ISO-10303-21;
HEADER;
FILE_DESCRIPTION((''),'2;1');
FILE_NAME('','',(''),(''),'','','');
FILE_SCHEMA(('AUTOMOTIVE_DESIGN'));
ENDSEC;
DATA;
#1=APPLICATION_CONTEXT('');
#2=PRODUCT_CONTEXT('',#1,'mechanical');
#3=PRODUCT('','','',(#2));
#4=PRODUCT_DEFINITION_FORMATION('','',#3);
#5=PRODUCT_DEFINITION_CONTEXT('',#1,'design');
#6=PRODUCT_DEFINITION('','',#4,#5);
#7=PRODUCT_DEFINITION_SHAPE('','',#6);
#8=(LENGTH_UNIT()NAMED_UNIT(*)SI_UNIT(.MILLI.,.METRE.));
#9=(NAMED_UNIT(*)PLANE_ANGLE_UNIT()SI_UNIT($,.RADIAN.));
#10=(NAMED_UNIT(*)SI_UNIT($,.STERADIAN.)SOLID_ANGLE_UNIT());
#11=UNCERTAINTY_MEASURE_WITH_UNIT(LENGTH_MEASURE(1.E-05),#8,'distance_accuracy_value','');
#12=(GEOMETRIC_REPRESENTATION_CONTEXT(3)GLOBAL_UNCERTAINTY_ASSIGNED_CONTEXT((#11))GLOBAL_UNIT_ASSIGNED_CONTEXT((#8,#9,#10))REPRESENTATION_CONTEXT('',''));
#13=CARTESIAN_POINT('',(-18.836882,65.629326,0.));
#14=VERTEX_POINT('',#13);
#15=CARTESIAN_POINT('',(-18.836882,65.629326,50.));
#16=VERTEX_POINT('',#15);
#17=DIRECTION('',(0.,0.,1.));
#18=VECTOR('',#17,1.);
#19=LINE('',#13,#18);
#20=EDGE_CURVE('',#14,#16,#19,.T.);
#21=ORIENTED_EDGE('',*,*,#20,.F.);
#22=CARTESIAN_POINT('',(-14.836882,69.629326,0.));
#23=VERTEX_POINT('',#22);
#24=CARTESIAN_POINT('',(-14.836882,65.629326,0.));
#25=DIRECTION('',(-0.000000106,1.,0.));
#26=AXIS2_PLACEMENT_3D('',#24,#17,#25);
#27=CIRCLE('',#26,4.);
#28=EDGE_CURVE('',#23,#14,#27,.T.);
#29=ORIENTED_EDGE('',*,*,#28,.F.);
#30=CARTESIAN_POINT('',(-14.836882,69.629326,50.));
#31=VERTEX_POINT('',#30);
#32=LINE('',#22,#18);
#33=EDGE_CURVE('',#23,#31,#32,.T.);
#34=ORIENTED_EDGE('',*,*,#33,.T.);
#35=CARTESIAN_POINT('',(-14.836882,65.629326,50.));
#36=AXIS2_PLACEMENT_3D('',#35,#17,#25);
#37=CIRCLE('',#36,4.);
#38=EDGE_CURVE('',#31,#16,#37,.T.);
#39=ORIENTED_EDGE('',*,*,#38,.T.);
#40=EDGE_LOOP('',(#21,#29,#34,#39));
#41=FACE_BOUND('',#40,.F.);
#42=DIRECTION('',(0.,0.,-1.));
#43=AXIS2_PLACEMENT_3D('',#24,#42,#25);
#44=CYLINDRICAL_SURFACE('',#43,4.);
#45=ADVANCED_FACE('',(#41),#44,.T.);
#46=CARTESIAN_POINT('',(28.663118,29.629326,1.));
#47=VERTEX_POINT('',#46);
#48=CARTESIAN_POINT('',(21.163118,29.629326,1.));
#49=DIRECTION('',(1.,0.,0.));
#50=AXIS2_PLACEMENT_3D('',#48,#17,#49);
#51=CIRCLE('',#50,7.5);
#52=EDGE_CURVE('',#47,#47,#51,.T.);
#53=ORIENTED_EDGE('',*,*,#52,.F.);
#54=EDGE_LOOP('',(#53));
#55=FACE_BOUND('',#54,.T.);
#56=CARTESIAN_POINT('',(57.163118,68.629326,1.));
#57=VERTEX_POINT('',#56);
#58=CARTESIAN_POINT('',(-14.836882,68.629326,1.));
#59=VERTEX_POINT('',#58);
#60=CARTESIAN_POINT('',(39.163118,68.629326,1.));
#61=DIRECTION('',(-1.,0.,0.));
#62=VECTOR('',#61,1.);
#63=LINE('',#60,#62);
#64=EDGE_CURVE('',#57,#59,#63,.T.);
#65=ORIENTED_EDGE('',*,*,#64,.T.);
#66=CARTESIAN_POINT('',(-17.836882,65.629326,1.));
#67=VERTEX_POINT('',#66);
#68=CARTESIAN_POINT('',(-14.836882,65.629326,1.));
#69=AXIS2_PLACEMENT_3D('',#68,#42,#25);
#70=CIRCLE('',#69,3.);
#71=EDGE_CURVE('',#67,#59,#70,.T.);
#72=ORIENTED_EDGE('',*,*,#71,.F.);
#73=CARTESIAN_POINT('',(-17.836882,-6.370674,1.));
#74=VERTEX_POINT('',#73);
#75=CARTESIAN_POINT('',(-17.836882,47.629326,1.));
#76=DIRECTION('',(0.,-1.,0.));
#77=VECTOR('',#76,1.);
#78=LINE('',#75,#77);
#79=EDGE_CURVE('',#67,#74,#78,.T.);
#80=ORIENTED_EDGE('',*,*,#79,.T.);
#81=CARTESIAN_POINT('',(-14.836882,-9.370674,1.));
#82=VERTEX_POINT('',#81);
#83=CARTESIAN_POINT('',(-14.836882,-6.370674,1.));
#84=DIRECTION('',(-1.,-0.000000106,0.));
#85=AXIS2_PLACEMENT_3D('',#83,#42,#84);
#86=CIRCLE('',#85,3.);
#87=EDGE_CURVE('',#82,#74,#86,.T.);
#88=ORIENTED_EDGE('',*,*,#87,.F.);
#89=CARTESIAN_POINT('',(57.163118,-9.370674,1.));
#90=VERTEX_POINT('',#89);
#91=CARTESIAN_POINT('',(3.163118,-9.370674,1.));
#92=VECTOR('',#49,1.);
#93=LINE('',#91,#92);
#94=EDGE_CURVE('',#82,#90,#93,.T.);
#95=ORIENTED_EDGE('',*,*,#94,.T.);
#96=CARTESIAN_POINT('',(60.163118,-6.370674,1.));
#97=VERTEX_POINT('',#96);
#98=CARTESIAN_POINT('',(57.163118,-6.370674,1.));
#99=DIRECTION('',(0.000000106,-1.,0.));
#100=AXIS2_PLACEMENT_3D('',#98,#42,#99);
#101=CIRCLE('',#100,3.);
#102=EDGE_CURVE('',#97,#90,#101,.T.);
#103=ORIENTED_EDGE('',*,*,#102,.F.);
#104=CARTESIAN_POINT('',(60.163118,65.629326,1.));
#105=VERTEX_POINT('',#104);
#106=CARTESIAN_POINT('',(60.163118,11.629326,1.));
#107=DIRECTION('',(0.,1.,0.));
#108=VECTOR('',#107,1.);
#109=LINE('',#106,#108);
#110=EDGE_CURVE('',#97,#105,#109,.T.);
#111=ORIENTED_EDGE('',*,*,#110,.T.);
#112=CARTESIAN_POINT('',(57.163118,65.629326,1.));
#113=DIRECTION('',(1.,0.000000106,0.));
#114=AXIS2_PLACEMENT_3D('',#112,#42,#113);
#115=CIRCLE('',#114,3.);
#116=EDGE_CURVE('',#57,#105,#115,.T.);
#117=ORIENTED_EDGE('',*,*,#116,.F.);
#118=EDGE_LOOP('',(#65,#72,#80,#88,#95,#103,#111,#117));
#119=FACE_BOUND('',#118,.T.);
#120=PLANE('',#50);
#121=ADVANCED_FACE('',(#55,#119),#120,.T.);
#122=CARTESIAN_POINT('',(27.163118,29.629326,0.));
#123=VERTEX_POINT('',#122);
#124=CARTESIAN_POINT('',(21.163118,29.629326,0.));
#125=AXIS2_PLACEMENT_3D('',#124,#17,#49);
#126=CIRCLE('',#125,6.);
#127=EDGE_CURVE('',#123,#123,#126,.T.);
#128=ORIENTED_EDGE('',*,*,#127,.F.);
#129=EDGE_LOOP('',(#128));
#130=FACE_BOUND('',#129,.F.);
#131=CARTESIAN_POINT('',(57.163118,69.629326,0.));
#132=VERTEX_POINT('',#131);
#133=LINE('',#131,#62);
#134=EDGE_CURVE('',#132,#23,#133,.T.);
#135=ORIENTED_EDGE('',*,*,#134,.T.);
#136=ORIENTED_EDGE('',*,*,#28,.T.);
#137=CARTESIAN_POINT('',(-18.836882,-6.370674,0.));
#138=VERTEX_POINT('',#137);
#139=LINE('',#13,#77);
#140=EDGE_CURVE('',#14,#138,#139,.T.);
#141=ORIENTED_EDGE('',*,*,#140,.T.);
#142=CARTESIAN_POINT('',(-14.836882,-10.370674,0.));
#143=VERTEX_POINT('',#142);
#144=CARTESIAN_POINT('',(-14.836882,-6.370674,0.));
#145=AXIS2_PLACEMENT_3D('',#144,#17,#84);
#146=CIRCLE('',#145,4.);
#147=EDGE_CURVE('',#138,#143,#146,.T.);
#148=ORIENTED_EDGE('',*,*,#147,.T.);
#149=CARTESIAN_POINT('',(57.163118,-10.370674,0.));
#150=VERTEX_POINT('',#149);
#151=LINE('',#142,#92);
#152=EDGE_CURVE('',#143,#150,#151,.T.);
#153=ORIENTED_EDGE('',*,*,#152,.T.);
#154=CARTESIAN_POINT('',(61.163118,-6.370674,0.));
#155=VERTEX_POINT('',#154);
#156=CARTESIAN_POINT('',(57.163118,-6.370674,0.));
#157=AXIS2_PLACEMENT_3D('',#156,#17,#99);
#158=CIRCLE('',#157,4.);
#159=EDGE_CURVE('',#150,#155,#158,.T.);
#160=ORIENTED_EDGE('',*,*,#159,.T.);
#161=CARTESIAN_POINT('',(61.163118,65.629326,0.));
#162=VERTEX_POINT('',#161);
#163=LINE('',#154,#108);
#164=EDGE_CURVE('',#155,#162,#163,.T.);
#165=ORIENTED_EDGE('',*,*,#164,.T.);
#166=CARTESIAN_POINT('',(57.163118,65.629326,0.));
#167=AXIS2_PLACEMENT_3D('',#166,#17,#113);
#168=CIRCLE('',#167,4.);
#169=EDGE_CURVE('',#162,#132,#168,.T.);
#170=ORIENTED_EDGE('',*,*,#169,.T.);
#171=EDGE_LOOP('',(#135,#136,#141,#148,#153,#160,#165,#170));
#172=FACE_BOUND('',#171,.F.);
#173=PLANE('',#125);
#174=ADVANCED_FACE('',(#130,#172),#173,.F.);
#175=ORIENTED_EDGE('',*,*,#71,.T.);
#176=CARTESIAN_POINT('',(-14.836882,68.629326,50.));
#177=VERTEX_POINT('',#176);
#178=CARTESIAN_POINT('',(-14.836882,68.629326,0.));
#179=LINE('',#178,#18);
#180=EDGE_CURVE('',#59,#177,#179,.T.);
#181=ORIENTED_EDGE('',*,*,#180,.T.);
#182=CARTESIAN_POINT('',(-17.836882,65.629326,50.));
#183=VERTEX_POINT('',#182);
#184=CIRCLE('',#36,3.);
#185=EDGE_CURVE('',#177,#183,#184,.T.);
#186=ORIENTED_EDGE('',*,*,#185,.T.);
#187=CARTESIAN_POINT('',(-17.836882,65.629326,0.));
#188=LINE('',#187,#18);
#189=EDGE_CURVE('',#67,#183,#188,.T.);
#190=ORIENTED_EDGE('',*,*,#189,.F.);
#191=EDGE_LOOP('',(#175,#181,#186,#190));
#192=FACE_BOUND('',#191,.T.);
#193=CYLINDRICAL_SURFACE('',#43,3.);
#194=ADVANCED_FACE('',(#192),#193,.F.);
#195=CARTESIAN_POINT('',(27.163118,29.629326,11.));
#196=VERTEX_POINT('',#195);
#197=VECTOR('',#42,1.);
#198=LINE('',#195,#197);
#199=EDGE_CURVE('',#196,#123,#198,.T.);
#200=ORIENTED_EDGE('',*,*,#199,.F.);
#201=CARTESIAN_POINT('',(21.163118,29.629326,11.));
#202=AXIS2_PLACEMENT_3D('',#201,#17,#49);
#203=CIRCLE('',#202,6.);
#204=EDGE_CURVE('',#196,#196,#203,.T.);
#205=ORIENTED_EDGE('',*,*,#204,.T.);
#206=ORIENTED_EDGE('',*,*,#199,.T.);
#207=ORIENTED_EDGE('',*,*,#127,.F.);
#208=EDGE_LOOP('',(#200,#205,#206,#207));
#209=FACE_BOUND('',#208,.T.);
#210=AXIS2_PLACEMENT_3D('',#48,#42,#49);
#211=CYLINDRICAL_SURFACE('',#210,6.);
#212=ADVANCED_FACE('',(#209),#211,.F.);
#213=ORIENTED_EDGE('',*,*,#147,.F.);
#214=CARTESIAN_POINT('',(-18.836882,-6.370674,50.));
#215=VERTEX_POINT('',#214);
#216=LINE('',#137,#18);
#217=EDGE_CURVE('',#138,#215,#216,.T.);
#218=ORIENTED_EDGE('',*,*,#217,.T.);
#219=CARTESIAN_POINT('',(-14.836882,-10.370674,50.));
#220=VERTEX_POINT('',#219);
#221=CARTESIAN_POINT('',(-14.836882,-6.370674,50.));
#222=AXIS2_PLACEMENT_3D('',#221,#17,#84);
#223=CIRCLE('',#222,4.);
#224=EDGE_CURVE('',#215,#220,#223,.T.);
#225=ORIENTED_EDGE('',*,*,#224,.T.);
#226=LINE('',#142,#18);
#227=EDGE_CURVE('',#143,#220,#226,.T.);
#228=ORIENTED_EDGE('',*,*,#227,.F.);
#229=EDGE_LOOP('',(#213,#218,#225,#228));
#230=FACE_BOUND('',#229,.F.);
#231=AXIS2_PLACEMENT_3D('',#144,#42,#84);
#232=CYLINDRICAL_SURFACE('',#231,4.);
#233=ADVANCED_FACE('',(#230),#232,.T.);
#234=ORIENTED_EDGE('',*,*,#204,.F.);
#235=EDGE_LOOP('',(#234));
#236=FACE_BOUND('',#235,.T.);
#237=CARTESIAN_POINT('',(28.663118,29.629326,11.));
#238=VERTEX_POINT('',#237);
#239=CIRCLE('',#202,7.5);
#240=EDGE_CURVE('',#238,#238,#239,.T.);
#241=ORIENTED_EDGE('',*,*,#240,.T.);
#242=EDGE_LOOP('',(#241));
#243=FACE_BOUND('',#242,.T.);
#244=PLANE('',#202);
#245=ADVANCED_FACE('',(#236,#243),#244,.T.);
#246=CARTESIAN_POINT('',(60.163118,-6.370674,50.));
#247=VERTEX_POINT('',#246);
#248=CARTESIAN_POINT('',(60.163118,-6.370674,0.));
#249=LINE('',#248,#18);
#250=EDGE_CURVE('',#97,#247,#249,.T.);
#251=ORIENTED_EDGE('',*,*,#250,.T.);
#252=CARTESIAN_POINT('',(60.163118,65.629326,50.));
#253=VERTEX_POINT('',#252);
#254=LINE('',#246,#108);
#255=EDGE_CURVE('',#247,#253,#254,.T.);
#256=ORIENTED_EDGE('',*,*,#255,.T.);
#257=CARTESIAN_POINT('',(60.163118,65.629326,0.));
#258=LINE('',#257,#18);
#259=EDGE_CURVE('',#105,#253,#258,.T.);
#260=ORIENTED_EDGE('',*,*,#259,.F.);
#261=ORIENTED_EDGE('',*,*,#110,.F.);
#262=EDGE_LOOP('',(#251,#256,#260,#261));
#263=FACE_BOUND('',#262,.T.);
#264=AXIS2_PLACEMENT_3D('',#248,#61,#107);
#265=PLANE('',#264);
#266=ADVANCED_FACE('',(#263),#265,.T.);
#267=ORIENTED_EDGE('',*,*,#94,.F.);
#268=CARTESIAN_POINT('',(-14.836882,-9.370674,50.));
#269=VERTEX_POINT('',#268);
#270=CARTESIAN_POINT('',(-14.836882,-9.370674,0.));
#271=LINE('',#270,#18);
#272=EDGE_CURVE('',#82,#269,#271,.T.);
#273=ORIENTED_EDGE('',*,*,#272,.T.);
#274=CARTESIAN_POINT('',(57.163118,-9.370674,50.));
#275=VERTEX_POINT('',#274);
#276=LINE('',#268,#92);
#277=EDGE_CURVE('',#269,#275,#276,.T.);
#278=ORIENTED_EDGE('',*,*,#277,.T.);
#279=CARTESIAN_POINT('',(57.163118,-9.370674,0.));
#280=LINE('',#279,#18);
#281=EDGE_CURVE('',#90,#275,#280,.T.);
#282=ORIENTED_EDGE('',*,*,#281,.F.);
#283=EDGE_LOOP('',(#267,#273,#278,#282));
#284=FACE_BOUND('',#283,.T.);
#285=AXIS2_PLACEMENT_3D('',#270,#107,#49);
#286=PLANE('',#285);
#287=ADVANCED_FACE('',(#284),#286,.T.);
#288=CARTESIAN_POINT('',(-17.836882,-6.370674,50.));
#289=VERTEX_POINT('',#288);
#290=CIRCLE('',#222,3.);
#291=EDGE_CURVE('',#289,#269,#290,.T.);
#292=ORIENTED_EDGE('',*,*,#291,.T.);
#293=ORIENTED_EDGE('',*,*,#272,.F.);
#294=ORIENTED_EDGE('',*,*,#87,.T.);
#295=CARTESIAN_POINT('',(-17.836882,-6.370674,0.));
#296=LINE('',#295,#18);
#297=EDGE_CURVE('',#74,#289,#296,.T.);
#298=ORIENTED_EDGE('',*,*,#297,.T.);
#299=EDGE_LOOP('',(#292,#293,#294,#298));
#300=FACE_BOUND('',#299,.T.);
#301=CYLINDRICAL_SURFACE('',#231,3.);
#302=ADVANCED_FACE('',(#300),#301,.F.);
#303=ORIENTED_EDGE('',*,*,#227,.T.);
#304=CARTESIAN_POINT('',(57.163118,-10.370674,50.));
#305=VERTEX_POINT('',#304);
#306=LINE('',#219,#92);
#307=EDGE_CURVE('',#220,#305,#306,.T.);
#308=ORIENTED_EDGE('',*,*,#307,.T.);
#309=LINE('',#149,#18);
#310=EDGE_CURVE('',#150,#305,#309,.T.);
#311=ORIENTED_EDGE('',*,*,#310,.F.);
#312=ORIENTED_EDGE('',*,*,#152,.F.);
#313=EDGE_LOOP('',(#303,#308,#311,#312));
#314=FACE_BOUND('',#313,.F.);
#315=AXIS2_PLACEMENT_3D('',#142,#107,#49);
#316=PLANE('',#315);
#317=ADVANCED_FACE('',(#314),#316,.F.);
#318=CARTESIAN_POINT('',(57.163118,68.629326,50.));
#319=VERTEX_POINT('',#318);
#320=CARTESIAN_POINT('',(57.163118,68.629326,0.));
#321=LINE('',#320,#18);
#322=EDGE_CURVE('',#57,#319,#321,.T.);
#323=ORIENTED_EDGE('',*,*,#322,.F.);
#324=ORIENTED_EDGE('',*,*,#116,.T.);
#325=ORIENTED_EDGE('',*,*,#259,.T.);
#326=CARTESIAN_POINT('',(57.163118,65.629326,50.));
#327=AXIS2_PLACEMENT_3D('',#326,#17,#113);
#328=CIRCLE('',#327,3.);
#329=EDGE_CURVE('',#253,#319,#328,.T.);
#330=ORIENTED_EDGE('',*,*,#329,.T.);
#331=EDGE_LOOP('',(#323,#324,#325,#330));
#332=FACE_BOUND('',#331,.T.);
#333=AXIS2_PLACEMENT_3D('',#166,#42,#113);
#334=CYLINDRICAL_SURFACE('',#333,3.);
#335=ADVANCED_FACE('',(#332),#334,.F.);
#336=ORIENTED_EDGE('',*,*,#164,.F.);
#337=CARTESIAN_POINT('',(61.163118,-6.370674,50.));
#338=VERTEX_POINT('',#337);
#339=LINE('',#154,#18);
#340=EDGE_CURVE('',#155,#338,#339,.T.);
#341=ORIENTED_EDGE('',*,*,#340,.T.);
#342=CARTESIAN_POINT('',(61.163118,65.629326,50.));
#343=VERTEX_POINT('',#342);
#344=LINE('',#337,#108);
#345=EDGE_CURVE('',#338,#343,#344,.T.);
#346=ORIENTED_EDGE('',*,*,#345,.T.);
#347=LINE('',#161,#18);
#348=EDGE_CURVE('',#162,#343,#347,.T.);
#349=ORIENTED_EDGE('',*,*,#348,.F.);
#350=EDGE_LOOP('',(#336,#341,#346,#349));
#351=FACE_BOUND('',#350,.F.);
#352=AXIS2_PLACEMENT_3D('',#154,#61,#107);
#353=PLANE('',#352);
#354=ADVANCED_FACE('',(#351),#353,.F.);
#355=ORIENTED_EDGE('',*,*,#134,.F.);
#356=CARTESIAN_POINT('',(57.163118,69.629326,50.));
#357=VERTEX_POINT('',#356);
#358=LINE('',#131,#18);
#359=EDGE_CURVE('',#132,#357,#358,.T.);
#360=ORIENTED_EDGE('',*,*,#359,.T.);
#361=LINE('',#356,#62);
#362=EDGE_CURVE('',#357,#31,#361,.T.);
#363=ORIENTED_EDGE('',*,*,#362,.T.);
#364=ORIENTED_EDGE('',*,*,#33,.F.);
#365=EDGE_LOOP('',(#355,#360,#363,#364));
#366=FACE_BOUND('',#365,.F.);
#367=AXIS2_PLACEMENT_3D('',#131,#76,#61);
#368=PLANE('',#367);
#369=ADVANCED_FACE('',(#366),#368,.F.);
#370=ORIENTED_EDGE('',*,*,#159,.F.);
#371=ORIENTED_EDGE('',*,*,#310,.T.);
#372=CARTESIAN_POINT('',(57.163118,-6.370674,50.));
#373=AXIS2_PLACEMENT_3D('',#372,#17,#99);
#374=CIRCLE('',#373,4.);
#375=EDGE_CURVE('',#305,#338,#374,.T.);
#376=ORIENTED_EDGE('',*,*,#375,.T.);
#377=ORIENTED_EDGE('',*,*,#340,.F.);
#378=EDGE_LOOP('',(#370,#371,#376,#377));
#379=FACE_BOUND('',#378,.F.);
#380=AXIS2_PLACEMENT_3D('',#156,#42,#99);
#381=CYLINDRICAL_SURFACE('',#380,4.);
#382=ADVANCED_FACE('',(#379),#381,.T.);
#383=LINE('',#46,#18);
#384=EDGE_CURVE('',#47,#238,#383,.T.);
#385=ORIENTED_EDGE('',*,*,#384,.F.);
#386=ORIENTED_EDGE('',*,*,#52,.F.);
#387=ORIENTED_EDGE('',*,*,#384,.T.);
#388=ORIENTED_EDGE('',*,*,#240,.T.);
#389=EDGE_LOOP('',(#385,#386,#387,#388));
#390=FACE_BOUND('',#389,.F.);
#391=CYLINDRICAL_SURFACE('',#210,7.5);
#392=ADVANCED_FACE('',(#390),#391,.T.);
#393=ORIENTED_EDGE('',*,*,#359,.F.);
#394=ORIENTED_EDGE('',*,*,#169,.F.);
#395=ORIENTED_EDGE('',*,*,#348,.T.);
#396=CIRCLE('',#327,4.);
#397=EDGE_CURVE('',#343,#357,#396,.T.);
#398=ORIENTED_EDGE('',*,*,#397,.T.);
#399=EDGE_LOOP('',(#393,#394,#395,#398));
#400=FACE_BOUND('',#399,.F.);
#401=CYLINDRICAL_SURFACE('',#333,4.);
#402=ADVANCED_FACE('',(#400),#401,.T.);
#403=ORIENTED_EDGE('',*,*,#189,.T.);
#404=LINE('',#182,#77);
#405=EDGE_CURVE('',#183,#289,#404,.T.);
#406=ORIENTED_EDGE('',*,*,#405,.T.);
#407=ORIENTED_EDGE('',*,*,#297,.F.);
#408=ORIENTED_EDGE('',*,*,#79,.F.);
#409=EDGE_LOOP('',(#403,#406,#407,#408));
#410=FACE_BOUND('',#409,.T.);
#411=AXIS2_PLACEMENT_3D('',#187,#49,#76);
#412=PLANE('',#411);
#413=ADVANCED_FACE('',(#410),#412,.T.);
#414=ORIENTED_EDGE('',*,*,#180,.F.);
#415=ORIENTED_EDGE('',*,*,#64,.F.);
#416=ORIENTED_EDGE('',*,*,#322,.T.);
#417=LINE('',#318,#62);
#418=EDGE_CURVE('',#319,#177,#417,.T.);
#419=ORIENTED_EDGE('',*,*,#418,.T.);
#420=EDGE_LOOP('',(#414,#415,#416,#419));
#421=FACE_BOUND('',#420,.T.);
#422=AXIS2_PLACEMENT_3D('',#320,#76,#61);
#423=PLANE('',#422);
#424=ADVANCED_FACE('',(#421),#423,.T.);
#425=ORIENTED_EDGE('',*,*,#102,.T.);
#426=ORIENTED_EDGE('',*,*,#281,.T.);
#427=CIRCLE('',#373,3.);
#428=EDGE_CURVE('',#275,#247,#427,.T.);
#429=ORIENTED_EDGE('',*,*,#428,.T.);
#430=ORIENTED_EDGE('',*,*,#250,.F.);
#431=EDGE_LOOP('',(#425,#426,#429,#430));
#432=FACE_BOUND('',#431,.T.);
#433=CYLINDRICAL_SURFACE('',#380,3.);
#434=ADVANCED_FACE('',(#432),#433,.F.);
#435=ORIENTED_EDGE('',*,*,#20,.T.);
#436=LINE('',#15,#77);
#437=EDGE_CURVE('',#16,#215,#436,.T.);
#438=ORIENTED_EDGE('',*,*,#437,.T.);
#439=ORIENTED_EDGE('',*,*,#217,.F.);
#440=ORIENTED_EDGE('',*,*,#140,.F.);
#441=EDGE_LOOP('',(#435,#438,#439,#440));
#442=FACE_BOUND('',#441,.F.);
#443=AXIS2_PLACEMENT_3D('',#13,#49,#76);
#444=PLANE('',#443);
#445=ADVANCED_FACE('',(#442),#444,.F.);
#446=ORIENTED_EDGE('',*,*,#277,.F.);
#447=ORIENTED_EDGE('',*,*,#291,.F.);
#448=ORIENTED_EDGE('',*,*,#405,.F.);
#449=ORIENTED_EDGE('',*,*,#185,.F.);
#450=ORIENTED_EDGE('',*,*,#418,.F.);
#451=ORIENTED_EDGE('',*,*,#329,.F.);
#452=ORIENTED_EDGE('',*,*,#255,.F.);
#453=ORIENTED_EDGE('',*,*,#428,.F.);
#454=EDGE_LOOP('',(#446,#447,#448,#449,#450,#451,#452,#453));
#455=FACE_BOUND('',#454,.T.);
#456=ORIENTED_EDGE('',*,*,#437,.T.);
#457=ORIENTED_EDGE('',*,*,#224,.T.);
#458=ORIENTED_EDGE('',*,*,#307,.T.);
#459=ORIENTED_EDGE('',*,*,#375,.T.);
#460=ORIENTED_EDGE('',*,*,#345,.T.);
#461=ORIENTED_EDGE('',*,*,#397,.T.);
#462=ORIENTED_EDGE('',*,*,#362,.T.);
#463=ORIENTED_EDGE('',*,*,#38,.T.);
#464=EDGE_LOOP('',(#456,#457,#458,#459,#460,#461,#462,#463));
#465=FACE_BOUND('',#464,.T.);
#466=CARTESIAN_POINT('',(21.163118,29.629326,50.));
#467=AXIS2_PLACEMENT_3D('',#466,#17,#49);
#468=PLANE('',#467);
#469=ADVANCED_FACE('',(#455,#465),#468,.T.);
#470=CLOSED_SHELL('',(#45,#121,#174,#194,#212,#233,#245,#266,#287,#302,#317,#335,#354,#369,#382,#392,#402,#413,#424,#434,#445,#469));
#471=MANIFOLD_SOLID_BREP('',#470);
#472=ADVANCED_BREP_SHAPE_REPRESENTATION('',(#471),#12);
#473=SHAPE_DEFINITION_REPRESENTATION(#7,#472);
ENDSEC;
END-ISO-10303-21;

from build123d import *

# Parameters (mm, degrees)
F1_DEPTH = 50
F2_T     = -1
F3_R     = 6
F4_DEPTH = 1
F3_R_2   = 7.5
F6_DEPTH = 10


with BuildPart() as f1:
    # F0 (on Top) → F1 (new body)
    with BuildSketch(Plane.XY):
        with BuildLine():
            Line((57.163118, 69.629326), (-14.836882, 69.629326))
            ThreePointArc((-14.836882, 69.629326), (-17.665309, 68.457753), (-18.836882, 65.629326))
            Line((-18.836882, 65.629326), (-18.836882, -6.370674))
            ThreePointArc((-18.836882, -6.370674), (-17.665309, -9.199101), (-14.836882, -10.370674))
            Line((-14.836882, -10.370674), (57.163118, -10.370674))
            ThreePointArc((57.163118, -10.370674), (59.991545, -9.199101), (61.163118, -6.370674))
            Line((61.163118, -6.370674), (61.163118, 65.629326))
            ThreePointArc((61.163118, 65.629326), (59.991545, 68.457753), (57.163118, 69.629326))
        make_face()
    extrude(amount=F1_DEPTH)

    # F2
    f2_openings = [f1.faces().sort_by_distance(p)[0] for p in [
        (21.163118, 29.629326, 50),
    ]]
    offset(amount=F2_T, openings=f2_openings)

    # F3 (on face) → F4 (cut, through all)
    with BuildSketch(Plane.XY.offset(1)):
        with Locations((21.163118, 29.629326)):
            Circle(F3_R)
    extrude(amount=-F4_DEPTH, mode=Mode.SUBTRACT)

    # F3 (on face) → F6 (join)
    with BuildSketch(Plane.XY.offset(1)):
        with Locations((21.163118, 29.629326)):
            Circle(F3_R_2)
        with Locations((21.163118, 29.629326)):
            Circle(F3_R, mode=Mode.SUBTRACT)
    extrude(amount=F6_DEPTH)


solid = f1.part
